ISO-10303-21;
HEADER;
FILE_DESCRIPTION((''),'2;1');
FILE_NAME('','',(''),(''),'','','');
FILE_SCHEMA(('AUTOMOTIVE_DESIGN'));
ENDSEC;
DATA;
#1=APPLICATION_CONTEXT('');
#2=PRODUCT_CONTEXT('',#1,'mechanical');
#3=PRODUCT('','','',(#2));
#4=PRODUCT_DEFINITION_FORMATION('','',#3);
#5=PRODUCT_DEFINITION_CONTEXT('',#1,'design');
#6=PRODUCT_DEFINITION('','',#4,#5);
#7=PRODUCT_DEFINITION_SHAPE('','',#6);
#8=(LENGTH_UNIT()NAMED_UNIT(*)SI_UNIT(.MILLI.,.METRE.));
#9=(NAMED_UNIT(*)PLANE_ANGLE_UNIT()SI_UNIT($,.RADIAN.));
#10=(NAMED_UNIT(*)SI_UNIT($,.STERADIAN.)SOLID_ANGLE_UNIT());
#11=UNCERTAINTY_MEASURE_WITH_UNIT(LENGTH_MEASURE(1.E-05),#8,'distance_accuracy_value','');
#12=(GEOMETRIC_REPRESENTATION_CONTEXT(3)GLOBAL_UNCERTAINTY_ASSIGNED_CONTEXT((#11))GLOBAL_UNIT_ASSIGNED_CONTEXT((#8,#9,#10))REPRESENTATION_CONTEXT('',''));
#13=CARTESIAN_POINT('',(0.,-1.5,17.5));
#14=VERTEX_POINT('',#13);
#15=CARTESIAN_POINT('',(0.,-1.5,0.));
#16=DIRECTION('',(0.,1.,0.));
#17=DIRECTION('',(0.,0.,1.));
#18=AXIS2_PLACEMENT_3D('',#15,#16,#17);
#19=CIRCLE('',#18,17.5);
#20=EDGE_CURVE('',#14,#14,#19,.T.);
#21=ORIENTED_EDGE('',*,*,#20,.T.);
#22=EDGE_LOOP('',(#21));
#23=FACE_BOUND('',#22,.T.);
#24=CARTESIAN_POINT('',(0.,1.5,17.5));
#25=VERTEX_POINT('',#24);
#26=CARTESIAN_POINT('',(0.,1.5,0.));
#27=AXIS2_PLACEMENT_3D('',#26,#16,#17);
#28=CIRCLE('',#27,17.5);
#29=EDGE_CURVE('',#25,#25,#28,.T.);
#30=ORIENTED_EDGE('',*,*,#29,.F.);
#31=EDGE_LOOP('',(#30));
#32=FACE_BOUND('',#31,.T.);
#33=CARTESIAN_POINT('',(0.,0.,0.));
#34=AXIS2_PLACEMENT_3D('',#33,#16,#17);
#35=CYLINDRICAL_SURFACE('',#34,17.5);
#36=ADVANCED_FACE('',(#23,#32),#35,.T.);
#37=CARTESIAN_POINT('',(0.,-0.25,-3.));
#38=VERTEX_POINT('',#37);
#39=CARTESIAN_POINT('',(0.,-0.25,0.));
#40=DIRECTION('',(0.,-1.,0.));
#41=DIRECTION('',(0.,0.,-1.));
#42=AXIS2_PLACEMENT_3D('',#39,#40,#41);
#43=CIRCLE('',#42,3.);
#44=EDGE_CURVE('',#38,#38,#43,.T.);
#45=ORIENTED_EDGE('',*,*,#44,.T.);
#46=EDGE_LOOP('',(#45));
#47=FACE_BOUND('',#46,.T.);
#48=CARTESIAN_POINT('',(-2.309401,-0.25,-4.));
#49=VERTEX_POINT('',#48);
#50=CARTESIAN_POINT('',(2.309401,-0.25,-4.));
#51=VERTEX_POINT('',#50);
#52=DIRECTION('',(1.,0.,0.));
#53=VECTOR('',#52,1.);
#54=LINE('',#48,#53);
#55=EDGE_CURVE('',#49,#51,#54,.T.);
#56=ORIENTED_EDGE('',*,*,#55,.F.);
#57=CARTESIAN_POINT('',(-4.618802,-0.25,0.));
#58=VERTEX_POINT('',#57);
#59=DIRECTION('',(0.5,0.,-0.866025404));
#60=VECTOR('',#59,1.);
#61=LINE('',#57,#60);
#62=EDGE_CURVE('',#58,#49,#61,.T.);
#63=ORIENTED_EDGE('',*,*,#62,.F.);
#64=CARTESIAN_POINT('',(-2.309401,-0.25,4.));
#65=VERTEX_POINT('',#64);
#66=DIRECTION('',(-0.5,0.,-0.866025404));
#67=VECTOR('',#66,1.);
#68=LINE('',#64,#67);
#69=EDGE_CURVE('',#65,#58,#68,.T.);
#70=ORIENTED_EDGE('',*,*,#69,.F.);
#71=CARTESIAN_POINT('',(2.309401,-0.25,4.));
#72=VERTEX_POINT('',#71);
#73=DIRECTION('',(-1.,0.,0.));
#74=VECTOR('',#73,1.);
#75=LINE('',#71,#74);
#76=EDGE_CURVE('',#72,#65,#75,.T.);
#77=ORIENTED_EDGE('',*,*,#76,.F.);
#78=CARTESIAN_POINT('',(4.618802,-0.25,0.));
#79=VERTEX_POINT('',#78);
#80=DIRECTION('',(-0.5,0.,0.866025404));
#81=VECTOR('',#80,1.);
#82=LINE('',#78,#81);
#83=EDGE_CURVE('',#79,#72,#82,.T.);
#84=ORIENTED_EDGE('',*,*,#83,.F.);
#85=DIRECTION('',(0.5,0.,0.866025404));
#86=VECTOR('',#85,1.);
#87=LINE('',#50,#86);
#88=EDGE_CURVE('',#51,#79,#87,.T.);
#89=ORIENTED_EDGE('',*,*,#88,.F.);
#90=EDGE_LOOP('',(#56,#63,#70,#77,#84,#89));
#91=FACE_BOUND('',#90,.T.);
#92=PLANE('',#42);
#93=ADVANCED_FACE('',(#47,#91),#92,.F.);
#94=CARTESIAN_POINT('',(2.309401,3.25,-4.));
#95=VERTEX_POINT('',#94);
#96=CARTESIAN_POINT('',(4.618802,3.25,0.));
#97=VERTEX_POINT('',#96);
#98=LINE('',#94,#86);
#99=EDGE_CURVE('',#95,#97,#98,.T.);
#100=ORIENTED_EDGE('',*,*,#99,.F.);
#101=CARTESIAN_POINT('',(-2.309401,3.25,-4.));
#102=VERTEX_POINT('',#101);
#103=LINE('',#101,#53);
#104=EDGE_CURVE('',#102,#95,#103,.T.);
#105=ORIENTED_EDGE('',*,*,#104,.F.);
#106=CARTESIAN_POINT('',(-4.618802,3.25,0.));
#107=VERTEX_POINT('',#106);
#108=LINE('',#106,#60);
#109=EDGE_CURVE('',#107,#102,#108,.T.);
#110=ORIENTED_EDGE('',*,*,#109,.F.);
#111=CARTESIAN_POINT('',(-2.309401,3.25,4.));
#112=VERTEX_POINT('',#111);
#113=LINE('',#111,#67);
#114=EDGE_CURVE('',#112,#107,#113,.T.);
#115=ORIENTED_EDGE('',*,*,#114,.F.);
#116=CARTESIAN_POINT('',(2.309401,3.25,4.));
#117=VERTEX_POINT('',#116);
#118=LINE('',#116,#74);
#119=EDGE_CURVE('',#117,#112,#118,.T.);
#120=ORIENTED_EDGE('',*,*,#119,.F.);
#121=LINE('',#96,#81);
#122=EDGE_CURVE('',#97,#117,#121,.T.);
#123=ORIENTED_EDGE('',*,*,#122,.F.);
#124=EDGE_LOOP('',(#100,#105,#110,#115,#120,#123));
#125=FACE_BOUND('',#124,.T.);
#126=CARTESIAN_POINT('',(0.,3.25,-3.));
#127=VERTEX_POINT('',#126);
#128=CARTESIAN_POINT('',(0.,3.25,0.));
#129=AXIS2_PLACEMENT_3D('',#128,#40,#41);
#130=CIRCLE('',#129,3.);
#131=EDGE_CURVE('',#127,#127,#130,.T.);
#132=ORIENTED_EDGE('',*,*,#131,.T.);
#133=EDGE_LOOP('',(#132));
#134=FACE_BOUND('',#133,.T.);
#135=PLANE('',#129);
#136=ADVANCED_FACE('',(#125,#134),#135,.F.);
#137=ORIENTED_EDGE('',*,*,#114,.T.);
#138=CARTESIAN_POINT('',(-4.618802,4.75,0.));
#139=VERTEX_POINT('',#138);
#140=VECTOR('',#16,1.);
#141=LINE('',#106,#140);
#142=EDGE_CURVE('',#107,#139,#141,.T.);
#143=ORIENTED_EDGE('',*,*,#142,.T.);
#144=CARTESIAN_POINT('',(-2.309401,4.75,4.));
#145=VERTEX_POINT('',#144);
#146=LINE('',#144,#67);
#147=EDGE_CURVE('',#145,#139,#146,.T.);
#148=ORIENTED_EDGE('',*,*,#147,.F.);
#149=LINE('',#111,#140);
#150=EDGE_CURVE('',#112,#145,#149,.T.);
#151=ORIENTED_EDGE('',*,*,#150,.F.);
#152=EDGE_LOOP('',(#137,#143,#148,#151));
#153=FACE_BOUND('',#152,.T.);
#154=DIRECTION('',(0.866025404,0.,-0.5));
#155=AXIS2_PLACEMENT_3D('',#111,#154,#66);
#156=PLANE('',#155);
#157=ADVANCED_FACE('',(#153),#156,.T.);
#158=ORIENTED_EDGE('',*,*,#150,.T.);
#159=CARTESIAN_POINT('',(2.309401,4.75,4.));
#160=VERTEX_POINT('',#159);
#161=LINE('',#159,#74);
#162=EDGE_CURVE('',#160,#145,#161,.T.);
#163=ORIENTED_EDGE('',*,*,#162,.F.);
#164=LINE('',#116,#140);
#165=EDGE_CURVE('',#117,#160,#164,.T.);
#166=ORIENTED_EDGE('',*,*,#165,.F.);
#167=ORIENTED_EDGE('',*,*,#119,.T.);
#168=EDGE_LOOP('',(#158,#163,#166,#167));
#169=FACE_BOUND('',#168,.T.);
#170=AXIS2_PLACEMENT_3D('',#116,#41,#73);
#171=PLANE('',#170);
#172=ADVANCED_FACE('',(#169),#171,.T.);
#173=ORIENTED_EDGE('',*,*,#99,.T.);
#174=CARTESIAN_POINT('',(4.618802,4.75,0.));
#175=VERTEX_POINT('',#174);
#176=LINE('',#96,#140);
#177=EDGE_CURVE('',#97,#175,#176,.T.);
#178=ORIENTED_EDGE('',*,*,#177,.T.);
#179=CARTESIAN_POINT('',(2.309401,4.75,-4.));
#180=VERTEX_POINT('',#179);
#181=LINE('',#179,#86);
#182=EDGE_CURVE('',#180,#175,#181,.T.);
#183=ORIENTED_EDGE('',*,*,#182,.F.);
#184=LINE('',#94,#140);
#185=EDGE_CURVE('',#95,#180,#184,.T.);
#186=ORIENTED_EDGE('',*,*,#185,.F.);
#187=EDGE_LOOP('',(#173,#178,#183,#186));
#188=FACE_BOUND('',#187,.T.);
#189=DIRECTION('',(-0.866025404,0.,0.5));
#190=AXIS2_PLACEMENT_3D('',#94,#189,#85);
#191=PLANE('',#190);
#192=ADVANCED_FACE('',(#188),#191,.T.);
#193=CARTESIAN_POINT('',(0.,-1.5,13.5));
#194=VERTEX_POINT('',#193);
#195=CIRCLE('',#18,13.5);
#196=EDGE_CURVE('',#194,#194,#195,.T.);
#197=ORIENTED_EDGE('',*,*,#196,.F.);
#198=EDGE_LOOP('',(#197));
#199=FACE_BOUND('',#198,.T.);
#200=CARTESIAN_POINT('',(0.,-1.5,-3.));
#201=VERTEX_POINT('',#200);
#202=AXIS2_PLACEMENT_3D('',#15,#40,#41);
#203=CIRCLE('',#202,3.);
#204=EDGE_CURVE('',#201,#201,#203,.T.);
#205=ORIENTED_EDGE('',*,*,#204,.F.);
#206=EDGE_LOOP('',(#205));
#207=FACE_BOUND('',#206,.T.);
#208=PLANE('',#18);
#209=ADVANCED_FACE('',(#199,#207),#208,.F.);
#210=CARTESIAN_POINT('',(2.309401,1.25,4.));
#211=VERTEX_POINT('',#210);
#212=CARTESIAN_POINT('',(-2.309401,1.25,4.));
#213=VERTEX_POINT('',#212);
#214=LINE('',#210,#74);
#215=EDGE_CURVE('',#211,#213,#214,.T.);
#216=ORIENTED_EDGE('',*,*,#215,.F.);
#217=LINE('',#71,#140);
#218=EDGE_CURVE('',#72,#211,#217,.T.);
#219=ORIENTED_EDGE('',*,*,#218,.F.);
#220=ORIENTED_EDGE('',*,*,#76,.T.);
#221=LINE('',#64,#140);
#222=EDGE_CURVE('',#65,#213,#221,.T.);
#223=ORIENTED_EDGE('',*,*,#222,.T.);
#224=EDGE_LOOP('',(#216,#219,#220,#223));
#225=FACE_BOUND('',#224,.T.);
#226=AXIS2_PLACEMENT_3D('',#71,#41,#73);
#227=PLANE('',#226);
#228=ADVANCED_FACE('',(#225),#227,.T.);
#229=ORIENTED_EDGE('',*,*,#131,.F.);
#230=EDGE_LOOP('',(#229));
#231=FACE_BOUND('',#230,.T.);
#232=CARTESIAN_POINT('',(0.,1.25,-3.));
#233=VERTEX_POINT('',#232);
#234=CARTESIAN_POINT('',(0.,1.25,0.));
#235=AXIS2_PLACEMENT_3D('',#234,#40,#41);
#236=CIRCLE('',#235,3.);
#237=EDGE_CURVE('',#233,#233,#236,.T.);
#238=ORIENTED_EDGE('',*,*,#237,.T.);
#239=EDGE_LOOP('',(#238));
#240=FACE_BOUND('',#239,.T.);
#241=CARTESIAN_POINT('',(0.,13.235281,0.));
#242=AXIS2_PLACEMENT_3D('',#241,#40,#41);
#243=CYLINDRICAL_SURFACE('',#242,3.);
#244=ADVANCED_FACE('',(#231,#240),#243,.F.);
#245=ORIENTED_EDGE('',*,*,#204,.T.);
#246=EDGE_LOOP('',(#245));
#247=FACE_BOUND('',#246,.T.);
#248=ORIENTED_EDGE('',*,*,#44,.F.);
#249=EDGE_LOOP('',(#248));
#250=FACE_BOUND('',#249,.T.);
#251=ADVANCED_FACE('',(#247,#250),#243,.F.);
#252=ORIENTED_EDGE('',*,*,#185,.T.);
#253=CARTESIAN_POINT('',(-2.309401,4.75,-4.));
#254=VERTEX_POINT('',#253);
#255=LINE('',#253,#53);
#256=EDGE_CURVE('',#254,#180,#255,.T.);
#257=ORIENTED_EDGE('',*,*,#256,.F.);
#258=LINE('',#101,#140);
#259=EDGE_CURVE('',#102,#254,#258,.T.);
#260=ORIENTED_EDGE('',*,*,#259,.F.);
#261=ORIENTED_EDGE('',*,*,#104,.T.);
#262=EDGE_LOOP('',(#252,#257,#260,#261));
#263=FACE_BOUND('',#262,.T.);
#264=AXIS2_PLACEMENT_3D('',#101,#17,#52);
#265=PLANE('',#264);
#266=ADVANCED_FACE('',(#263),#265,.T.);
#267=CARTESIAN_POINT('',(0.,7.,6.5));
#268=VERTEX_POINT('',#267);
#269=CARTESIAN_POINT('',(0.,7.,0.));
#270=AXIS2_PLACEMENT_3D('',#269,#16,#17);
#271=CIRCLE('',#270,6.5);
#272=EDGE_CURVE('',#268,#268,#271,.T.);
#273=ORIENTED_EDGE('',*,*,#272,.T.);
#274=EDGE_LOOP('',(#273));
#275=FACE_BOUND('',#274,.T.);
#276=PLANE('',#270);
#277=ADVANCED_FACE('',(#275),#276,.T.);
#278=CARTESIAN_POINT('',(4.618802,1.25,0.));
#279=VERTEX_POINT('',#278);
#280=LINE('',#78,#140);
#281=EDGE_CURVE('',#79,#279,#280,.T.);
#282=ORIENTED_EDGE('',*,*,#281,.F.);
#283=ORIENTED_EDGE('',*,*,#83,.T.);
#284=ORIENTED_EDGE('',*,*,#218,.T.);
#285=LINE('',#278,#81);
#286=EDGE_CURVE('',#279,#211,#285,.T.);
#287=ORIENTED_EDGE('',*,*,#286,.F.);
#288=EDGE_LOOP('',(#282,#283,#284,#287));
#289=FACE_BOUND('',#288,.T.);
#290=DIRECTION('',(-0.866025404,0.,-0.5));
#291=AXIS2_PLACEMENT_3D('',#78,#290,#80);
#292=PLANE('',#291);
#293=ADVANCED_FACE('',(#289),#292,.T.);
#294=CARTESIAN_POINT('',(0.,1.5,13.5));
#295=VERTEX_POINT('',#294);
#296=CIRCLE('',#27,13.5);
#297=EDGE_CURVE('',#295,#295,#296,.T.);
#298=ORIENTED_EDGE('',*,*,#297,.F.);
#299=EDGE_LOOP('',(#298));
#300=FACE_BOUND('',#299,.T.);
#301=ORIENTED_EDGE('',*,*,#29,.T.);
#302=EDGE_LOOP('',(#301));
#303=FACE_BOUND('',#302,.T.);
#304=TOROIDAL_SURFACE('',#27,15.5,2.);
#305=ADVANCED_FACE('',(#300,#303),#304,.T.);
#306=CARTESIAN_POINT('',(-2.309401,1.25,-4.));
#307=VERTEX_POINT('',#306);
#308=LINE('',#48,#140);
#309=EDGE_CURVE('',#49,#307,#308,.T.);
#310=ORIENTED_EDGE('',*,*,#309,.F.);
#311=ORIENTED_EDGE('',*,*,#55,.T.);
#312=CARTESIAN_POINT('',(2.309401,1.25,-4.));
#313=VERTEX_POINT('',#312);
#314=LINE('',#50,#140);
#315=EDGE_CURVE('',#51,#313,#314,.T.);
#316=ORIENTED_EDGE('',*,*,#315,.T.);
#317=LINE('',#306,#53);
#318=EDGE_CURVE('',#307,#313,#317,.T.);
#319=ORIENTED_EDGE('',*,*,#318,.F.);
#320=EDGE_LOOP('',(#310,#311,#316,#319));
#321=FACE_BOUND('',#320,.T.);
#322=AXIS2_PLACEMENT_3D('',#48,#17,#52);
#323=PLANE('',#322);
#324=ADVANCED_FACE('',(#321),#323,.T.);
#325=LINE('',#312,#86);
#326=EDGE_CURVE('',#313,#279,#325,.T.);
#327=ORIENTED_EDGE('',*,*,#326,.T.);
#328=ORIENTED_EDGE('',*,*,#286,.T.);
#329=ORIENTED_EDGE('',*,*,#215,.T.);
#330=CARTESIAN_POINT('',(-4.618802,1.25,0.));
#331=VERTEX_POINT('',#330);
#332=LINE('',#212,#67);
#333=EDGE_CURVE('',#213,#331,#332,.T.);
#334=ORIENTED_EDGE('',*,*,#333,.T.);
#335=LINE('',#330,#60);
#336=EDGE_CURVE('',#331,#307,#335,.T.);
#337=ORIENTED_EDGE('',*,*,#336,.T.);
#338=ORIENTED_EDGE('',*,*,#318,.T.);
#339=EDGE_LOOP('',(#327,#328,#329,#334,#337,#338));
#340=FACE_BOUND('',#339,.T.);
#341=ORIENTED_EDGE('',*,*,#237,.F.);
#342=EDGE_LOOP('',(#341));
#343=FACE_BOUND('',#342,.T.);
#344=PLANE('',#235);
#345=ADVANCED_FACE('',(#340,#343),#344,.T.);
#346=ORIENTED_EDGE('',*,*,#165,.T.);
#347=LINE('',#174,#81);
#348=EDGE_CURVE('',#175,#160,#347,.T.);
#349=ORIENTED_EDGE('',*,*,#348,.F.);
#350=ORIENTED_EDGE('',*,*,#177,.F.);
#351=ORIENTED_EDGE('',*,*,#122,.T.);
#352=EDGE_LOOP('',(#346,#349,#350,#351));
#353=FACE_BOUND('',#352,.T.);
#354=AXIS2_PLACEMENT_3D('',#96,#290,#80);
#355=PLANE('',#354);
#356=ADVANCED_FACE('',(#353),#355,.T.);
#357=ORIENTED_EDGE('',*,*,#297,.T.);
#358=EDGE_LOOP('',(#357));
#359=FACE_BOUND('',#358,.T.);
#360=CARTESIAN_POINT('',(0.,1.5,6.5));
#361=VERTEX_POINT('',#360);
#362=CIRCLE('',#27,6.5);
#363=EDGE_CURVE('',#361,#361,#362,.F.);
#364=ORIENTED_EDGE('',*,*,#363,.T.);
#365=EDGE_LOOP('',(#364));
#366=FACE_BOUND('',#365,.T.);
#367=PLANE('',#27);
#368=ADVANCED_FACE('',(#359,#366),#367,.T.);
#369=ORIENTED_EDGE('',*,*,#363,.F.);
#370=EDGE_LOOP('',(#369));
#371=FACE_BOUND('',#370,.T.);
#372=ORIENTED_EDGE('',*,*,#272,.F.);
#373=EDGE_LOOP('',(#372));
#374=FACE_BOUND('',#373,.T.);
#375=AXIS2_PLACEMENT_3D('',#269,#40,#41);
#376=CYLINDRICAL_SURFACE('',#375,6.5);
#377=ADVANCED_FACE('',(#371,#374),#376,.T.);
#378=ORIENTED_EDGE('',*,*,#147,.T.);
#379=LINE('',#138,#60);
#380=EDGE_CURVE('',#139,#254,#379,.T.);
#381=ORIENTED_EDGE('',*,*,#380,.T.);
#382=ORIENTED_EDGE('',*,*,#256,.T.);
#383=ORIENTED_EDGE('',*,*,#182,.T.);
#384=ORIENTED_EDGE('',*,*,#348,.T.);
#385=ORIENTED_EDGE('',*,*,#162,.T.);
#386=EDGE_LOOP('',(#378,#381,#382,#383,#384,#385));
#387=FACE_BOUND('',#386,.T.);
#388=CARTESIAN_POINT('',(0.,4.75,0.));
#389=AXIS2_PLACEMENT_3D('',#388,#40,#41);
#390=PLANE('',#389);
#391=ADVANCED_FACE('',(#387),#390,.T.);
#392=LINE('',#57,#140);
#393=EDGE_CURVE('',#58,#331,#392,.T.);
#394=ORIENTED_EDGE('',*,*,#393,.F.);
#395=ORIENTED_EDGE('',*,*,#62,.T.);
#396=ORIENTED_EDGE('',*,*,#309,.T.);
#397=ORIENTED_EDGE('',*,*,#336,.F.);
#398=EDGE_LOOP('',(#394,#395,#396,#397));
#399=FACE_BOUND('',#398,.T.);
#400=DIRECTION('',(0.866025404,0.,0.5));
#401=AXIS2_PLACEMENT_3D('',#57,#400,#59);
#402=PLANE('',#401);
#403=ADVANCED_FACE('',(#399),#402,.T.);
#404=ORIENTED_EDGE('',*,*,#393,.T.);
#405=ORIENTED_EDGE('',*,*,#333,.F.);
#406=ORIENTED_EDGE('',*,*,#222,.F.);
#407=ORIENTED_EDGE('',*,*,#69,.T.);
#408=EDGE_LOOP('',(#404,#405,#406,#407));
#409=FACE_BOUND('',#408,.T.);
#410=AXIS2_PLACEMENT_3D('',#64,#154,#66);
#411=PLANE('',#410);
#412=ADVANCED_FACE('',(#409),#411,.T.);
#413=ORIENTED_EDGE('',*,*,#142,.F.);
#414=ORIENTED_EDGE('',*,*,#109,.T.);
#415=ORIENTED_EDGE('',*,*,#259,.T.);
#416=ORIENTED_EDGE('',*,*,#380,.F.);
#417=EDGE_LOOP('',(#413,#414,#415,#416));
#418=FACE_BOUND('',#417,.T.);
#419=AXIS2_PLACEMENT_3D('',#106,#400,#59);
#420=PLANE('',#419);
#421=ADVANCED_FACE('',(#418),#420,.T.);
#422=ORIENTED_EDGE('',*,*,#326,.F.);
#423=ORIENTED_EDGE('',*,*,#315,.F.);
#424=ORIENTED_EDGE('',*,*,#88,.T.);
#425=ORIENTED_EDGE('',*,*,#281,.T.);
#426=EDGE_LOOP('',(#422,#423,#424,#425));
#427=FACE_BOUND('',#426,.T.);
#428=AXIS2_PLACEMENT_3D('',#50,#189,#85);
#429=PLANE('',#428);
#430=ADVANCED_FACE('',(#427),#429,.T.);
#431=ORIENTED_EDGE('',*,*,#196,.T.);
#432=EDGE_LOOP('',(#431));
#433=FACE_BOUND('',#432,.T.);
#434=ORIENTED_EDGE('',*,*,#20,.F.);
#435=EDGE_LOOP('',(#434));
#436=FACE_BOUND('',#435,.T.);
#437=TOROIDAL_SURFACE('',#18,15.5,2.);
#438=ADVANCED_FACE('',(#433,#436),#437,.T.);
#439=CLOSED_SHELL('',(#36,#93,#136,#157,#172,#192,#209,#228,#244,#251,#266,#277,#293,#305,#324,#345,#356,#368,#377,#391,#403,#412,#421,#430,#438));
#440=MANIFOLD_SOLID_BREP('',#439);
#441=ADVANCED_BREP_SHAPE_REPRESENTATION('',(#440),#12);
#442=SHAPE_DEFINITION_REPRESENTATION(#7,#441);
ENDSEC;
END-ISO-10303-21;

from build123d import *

# Parameters (mm, degrees)
SKETCH_1_W          = 13.5
SKETCH_1_H          = 3
SKETCH_4_R          = 6.5
EXTRUDE_1_DEPTH     = 7
CUT_EXTRUDE_1_DEPTH = 1.5
CUT_EXTRUDE_START   = 3.5
CUT_EXTRUDE_2_DEPTH = 1.5
SKETCH_6_R          = 3
CUT_EXTRUDE_3_DEPTH = 6.25


with BuildPart() as part:
    # Эскиз1 → Повернуть1 (revolve)
    with BuildSketch(Plane.XY):
        with BuildLine():
            Line((17.5, -1.5), (17.5, 1.5))
            ThreePointArc((17.5, 1.5), (15.5, 3.5), (13.5, 1.5))
            Line((13.5, 1.5), (13.5, -1.5))
            ThreePointArc((13.5, -1.5), (15.5, -3.5), (17.5, -1.5))
        make_face()
        with Locations((6.75, 0)):
            Rectangle(SKETCH_1_W, SKETCH_1_H)
    revolve(axis=Axis((0, 0, 0), (0, -1, 0)))

    # Эскиз4 → Бобышка-Вытянуть1 (add)
    with BuildSketch(Plane(origin=(0, 0, 0), x_dir=(1, 0, 0), z_dir=(0, 1, 0))):
        Circle(SKETCH_4_R)
    extrude(amount=EXTRUDE_1_DEPTH)

    # Эскиз5 → Вырез-Вытянуть1 (cut)
    with BuildSketch(Plane(origin=(0, 4.75, 0), x_dir=(-1, 0, 0), z_dir=(0, -1, 0))):
        Polygon((2.309401077, 4), (-2.309401077, 4), (-4.618802154, 0), (-2.309401077, -4), (2.309401077, -4), (4.618802154, 0), align=None)
    extrude(amount=CUT_EXTRUDE_1_DEPTH, mode=Mode.SUBTRACT)

    # Эскиз5<2> → Вырез-Вытянуть2 (cut)
    with BuildSketch(Plane(origin=(0, 4.75, 0), x_dir=(-1, 0, 0), z_dir=(0, -1, 0)).offset(CUT_EXTRUDE_START)):
        Polygon((2.309401077, 4), (-2.309401077, 4), (-4.618802154, 0), (-2.309401077, -4), (2.309401077, -4), (4.618802154, 0), align=None)
    extrude(amount=CUT_EXTRUDE_2_DEPTH, mode=Mode.SUBTRACT)

    # Эскиз6 → Вырез-Вытянуть3 (cut)
    with BuildSketch(Plane.XZ.offset(1.5)):
        Circle(SKETCH_6_R)
    extrude(amount=-CUT_EXTRUDE_3_DEPTH, mode=Mode.SUBTRACT)


solid = part.part
